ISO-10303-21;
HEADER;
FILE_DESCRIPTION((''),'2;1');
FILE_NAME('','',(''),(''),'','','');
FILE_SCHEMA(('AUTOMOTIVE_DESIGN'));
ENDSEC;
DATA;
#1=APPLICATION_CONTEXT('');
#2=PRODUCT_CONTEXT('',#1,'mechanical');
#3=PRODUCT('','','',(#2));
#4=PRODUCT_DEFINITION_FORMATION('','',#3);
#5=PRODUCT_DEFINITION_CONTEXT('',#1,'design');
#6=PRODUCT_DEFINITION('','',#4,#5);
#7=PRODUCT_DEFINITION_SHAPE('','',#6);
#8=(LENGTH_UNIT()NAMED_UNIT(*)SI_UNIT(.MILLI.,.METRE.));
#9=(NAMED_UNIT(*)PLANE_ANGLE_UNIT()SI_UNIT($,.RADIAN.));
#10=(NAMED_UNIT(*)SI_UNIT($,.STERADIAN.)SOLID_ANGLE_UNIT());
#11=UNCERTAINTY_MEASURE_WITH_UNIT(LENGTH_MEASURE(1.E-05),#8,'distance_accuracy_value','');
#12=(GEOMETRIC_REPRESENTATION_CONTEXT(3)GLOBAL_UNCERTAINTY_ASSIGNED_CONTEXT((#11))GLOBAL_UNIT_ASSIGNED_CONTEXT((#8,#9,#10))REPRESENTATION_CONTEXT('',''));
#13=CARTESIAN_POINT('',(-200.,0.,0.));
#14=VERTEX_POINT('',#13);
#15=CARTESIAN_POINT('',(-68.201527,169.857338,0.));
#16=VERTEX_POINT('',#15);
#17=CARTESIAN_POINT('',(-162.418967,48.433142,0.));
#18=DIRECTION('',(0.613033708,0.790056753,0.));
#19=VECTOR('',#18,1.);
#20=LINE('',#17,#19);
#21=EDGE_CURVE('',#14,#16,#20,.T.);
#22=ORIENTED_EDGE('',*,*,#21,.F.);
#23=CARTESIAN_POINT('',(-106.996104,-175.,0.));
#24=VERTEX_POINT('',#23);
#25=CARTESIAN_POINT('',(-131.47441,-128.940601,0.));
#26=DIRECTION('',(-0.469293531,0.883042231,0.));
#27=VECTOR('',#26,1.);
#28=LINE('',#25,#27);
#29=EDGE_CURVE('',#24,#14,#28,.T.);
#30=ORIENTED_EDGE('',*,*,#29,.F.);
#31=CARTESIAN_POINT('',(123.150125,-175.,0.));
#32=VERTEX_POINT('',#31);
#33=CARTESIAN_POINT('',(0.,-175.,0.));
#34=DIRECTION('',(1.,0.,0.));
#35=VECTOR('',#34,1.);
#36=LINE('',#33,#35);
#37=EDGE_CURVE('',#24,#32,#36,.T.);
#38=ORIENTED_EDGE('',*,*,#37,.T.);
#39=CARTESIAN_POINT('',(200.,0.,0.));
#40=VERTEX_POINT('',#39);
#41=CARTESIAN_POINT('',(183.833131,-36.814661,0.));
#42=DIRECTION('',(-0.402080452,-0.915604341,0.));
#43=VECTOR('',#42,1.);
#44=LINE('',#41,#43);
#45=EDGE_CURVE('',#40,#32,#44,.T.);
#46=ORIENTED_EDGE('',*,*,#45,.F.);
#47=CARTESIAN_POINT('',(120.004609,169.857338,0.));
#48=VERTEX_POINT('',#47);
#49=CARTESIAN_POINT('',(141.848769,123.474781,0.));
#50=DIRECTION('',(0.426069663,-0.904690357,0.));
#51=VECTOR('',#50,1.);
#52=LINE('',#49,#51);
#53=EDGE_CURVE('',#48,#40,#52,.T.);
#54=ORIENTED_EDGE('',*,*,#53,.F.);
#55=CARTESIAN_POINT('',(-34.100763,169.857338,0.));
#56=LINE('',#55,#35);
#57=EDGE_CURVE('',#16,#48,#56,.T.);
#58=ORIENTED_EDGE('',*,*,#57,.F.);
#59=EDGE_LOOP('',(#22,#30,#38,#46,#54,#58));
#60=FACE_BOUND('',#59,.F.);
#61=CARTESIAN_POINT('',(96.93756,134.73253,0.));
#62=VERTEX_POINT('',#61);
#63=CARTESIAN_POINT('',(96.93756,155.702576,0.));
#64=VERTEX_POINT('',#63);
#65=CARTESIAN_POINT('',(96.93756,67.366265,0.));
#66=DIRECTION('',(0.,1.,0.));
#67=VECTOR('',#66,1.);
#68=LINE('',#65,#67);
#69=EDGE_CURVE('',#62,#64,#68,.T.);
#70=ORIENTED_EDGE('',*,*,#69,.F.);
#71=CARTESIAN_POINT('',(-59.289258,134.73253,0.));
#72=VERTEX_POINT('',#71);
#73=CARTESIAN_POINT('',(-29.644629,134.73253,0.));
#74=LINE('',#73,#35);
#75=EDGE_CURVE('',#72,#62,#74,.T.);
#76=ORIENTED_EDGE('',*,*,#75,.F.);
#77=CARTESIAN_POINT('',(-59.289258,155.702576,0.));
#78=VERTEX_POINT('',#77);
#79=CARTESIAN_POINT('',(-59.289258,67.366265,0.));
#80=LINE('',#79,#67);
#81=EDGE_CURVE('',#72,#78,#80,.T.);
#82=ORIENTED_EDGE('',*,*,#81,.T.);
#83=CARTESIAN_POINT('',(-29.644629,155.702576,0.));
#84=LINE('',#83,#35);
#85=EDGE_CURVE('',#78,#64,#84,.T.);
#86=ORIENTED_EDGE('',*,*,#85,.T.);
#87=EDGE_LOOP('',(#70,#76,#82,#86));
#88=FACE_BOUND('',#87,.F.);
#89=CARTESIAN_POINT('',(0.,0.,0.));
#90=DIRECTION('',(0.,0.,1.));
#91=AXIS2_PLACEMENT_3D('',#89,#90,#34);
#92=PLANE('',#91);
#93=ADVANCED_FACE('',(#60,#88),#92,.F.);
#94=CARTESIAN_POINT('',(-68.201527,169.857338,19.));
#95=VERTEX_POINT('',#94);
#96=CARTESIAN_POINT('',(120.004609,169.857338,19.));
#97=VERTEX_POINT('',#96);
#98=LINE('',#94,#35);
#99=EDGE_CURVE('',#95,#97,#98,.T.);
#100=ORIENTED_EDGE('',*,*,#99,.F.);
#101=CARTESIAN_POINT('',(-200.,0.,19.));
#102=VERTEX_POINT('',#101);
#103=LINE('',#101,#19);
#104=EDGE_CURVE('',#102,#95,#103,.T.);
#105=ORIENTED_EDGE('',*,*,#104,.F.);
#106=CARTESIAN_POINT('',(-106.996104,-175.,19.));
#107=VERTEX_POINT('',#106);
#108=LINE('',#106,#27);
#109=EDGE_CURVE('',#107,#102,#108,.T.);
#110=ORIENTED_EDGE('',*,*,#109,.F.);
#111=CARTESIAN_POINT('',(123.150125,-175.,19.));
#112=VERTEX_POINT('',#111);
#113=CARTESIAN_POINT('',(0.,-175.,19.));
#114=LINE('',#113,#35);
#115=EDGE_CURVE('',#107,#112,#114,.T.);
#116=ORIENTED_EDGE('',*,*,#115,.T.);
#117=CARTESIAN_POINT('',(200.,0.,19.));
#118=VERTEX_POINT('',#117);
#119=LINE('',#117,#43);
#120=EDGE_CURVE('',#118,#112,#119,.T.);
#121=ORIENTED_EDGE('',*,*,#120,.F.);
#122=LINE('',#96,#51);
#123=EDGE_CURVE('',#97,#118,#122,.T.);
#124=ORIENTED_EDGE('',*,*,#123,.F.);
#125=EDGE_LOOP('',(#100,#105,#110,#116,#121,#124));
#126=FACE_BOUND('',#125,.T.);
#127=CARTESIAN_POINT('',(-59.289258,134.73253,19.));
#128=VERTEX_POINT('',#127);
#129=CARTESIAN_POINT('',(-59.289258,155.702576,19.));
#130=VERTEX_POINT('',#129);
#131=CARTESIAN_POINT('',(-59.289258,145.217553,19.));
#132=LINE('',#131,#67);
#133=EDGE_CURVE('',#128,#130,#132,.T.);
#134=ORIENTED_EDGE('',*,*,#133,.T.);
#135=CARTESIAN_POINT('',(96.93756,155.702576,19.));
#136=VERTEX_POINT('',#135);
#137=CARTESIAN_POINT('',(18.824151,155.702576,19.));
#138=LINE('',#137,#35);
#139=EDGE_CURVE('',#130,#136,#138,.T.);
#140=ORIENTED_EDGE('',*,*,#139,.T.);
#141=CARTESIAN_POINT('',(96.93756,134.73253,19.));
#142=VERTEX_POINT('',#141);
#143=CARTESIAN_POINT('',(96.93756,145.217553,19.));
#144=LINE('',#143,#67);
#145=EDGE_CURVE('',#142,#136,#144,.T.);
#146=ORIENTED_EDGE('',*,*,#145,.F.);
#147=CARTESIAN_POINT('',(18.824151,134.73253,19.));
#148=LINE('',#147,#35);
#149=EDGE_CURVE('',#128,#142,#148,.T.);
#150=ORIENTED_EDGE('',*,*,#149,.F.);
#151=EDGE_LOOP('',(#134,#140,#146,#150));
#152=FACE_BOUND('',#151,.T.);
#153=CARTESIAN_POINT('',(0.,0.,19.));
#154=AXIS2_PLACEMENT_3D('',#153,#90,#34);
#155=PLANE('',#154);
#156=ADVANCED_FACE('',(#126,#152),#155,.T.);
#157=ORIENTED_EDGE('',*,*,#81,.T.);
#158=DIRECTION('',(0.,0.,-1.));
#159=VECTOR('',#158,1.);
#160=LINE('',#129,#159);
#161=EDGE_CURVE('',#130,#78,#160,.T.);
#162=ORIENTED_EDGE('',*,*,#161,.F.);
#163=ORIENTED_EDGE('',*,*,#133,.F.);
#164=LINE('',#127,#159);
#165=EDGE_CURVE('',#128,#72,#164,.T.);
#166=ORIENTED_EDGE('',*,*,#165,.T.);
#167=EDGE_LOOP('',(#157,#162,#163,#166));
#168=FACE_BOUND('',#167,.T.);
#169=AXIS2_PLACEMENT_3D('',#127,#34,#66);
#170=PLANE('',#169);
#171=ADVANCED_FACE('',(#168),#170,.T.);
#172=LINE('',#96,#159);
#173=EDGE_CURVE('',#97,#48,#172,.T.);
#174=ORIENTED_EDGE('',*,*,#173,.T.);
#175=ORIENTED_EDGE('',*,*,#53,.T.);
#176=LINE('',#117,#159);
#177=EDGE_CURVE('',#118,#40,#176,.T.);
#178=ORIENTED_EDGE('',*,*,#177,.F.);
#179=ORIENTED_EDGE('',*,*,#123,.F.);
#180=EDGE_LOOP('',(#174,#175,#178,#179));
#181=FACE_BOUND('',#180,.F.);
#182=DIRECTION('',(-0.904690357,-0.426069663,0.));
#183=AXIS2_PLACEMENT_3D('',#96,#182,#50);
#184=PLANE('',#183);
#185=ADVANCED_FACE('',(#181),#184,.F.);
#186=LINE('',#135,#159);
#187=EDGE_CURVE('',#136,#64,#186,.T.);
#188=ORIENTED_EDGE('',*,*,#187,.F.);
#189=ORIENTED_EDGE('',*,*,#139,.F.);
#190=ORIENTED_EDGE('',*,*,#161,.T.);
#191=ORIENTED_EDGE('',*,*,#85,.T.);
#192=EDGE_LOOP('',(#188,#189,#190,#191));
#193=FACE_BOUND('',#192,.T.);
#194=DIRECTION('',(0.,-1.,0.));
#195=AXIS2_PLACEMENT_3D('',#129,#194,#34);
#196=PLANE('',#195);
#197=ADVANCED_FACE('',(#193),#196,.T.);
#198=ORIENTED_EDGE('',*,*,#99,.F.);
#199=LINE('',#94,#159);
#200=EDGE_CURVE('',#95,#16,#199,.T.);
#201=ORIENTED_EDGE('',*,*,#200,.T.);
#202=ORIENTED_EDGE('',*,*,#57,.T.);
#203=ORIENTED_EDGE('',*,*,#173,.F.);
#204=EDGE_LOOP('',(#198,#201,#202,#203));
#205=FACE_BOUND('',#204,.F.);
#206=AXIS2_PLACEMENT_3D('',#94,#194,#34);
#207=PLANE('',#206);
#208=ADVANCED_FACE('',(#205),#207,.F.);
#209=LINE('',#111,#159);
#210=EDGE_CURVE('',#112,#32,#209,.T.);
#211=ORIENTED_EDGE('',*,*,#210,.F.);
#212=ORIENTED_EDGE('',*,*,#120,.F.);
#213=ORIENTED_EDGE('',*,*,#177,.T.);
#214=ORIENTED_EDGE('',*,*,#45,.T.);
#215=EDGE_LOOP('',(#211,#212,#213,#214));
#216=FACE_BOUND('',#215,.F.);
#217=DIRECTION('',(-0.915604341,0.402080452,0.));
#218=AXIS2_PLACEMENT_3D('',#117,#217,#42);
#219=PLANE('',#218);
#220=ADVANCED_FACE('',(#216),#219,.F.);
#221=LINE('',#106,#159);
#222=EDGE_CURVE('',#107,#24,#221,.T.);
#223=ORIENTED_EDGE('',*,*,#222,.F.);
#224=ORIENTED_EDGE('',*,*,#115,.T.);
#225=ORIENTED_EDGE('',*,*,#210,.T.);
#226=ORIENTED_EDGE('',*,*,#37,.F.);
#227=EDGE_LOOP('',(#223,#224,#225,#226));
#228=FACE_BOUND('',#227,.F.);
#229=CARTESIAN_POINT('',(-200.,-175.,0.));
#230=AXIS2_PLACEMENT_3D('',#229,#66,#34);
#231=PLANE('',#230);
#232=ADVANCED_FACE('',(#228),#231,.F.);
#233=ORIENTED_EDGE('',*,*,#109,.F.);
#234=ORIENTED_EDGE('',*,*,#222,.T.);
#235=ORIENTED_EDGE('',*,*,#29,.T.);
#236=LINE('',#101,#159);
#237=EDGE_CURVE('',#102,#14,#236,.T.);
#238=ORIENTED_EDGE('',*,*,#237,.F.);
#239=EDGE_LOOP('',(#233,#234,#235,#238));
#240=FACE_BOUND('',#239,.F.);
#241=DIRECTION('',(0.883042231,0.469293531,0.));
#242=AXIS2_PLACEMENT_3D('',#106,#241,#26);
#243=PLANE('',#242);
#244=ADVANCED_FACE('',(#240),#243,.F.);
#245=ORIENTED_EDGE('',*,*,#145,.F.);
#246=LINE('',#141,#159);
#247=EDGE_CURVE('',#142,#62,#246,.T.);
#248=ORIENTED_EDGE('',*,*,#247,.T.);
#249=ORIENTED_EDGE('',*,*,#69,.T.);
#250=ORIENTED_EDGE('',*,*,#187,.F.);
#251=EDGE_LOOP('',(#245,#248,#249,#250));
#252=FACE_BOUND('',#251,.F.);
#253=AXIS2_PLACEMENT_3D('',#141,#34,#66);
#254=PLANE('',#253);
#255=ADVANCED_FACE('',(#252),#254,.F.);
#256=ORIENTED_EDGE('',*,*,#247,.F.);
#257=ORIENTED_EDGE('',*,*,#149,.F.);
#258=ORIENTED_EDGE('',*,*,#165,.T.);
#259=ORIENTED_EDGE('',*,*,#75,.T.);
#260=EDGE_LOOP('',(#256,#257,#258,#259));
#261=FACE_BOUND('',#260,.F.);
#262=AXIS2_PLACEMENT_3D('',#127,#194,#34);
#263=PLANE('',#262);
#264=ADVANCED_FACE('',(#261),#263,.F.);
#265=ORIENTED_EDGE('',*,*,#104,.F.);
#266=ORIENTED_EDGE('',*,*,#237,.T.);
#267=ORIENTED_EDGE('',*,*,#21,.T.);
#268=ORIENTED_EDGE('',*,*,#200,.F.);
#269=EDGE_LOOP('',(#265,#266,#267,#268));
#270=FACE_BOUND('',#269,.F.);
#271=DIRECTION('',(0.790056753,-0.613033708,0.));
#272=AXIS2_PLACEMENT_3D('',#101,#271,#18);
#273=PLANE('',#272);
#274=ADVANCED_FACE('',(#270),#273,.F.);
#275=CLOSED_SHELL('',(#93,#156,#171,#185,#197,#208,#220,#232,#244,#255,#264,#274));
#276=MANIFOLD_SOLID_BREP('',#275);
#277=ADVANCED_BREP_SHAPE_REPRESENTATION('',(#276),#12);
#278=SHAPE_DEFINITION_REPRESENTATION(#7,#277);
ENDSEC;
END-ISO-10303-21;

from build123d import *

# Parameters (mm, degrees)
F0_W     = 400
F0_H     = 350
F1_DEPTH = 19
F2_W     = 156.226818
F2_H     = 20.970046
F3_DEPTH = 19.001


with BuildPart() as f1:
    # F0 (on Top) → F1 (new body)
    with BuildSketch(Plane.XY):
        Rectangle(F0_W, F0_H)
    extrude(amount=F1_DEPTH)

    # F2 (on face) → F3 (cut, through all)
    with BuildSketch(Plane.XY.offset(19)):
        with Locations((18.824151, 145.217553)):
            Rectangle(F2_W, F2_H)
        Polygon((-200, 175), (-200, 0), (-68.201527, 169.857338), (120.004609, 169.857338), (200, 0), (200, 175), align=None)
        Polygon((-106.996104, -175), (-200, 0), (-200, -175), align=None)
        Polygon((200, 0), (123.150125, -175), (200, -175), align=None)
    extrude(amount=-F3_DEPTH, mode=Mode.SUBTRACT)


solid = f1.part
